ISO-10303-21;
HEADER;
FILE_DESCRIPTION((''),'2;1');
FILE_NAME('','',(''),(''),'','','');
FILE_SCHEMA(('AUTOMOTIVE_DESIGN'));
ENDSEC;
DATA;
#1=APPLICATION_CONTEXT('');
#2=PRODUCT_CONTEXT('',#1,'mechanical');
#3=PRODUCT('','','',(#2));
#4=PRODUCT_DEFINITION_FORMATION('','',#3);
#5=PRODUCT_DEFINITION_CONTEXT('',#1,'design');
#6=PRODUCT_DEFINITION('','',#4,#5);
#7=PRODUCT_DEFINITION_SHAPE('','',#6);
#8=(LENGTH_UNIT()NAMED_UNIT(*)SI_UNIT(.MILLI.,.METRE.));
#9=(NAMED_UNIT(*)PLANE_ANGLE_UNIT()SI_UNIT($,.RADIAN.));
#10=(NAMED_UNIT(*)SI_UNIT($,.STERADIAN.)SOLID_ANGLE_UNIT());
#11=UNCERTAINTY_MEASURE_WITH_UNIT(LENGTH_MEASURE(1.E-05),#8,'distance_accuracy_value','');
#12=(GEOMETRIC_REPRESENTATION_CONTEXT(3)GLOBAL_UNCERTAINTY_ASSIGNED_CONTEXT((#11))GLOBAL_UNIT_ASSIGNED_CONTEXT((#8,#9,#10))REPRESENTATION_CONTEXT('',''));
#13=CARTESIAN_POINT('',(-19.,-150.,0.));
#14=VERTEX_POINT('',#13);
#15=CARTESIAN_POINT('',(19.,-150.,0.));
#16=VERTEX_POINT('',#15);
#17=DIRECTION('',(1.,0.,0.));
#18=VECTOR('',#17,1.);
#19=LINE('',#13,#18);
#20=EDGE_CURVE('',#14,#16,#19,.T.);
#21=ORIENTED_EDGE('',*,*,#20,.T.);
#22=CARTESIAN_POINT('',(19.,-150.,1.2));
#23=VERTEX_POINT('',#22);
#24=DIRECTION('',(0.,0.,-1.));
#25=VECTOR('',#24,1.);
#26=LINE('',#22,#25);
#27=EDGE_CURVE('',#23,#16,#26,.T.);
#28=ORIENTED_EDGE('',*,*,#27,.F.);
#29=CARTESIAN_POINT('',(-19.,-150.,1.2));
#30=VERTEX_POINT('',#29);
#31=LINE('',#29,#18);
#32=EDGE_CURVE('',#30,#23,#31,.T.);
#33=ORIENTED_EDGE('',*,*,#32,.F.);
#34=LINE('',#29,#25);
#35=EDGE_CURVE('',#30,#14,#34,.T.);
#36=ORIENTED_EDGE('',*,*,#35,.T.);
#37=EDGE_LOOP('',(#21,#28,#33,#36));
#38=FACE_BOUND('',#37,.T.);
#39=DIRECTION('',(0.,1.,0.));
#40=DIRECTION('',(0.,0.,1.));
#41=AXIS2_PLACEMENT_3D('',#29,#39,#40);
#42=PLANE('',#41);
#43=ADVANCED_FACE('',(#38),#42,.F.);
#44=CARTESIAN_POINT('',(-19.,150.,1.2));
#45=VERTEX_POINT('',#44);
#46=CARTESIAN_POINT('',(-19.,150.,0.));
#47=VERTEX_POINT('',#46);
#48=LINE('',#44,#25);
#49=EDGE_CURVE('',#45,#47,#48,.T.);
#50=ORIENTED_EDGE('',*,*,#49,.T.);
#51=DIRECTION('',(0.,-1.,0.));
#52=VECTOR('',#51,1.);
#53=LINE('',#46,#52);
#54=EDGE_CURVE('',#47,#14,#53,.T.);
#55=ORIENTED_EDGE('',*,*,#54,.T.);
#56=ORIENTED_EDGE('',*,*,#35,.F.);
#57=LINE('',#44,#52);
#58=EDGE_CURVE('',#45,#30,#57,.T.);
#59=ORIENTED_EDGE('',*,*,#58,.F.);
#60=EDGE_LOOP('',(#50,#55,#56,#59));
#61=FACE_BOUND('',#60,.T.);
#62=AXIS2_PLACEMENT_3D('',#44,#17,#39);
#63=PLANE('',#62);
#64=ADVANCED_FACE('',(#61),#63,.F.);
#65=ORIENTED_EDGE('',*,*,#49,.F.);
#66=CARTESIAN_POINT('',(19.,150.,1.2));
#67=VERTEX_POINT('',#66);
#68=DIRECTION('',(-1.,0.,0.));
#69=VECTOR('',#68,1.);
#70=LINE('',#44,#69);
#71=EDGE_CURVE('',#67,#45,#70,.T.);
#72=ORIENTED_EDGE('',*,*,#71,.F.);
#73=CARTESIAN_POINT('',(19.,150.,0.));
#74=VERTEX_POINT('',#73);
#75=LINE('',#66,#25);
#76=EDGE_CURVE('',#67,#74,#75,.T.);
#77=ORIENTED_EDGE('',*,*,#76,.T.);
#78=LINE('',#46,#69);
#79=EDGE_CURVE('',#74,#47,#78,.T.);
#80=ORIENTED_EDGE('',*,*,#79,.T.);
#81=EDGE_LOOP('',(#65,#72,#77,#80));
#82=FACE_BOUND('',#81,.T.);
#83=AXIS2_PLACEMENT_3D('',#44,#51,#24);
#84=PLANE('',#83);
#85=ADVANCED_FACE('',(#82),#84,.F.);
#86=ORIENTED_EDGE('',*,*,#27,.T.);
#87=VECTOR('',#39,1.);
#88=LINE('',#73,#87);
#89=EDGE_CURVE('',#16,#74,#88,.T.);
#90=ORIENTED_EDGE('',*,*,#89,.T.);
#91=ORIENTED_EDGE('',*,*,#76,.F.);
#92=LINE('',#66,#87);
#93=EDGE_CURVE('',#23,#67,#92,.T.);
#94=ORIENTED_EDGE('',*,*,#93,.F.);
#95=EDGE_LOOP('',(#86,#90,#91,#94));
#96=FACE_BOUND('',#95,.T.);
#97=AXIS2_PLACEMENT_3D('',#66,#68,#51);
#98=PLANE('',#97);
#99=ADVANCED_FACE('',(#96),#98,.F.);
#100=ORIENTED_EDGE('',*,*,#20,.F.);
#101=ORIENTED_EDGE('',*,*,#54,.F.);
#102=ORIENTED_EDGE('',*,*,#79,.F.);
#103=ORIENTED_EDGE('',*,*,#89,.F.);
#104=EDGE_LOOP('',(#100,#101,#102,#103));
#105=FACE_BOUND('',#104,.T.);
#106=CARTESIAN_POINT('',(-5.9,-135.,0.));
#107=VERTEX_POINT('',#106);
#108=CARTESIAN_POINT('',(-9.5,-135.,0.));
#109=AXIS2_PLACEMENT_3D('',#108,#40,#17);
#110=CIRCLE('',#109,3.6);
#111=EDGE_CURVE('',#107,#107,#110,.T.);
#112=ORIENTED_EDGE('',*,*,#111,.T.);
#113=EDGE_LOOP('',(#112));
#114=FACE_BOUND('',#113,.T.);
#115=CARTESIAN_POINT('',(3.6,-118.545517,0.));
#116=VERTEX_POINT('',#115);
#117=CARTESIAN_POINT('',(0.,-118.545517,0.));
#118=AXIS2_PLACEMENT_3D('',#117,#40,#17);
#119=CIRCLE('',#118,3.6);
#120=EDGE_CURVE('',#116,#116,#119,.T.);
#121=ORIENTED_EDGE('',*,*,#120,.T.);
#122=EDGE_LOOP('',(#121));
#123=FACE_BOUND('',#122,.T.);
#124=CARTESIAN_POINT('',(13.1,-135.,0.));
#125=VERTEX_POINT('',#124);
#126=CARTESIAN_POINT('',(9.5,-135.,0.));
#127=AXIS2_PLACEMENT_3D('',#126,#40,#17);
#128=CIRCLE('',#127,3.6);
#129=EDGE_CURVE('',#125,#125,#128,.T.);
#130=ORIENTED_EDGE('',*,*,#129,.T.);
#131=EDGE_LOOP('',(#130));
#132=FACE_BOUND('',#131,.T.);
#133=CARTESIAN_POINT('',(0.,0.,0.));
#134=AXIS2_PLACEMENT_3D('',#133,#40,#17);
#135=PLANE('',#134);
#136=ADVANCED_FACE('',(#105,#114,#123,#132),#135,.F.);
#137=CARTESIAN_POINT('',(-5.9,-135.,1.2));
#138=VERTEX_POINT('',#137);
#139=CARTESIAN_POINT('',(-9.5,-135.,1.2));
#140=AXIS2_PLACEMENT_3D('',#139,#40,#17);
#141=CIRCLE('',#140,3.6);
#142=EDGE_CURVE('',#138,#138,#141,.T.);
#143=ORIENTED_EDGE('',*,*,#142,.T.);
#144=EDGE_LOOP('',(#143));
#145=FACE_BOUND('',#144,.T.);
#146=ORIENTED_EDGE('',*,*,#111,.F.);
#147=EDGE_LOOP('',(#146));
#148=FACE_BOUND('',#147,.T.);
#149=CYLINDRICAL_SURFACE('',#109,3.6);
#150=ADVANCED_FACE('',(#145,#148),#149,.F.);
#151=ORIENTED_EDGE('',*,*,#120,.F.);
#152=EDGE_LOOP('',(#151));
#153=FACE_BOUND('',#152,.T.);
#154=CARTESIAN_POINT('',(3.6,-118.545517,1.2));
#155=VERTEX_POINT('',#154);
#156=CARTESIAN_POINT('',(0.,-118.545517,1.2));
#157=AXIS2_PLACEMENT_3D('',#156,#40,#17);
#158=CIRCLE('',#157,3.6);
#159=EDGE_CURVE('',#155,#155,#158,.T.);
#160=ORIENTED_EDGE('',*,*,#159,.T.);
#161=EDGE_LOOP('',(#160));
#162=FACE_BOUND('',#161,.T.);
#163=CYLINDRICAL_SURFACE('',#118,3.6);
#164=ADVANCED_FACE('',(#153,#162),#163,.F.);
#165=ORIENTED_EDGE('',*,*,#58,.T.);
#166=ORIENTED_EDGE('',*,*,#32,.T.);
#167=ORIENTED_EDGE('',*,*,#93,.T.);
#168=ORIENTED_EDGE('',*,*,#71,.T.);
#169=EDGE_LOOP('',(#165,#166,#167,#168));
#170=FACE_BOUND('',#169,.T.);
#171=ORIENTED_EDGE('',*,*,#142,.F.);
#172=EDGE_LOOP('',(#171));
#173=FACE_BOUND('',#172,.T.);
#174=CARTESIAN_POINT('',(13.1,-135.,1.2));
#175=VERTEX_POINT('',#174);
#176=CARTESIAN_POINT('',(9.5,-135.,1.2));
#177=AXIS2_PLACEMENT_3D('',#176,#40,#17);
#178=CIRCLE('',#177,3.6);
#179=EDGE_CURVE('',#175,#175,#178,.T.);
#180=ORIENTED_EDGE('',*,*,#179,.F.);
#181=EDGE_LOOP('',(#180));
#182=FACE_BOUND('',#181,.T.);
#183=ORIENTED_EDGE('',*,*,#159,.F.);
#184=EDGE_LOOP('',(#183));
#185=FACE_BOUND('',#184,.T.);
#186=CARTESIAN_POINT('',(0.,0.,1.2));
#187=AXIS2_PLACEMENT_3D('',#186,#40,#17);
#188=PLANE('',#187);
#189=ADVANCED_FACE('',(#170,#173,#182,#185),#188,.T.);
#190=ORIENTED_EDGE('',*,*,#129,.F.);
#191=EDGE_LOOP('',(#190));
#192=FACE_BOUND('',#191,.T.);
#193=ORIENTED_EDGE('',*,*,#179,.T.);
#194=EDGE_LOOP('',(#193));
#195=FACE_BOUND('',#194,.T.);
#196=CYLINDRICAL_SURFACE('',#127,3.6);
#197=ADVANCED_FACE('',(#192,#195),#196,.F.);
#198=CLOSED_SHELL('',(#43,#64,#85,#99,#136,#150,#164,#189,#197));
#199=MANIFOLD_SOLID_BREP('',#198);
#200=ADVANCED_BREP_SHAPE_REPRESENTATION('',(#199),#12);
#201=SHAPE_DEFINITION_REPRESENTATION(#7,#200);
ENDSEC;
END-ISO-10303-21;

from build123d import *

# Parameters (mm, degrees)
SKETCH_1_W          = 38
SKETCH_1_H          = 300
EXTRUDE_1_DEPTH     = 1.2
CUT_EXTRUDE_1_DEPTH = 1.2


with BuildPart() as part:
    # Эскиз1 → Бобышка-Вытянуть1 (new body)
    with BuildSketch(Plane.XY):
        Rectangle(SKETCH_1_W, SKETCH_1_H)
    extrude(amount=EXTRUDE_1_DEPTH)

    # Эскиз2 → Вырез-Вытянуть1 (cut)
    with BuildSketch(Plane.XY.offset(1.2)):
        with BuildLine():
            ThreePointArc((0, -114.945517328), (-3.6, -118.545517328), (0, -122.145517328))
            Line((0, -122.145517328), (0, -114.945517328))
        make_face()
        with BuildLine():
            Line((0, -114.945517328), (0, -122.145517328))
            ThreePointArc((0, -122.145517328), (2.545584412, -121.09110174), (3.6, -118.545517328))
            ThreePointArc((3.6, -118.545517328), (2.545584412, -115.999932916), (0, -114.945517328))
        make_face()
        with BuildLine():
            ThreePointArc((-5.9, -135), (-9.5, -131.4), (-13.1, -135))
            Line((-13.1, -135), (-5.9, -135))
        make_face()
        with BuildLine():
            Line((-5.9, -135), (-13.1, -135))
            ThreePointArc((-13.1, -135), (-9.5, -138.6), (-5.9, -135))
        make_face()
        with BuildLine():
            ThreePointArc((13.1, -135), (9.5, -131.4), (5.9, -135))
            Line((5.9, -135), (13.1, -135))
        make_face()
        with BuildLine():
            Line((13.1, -135), (5.9, -135))
            ThreePointArc((5.9, -135), (9.5, -138.6), (13.1, -135))
        make_face()
    extrude(amount=-CUT_EXTRUDE_1_DEPTH, mode=Mode.SUBTRACT)


solid = part.part
